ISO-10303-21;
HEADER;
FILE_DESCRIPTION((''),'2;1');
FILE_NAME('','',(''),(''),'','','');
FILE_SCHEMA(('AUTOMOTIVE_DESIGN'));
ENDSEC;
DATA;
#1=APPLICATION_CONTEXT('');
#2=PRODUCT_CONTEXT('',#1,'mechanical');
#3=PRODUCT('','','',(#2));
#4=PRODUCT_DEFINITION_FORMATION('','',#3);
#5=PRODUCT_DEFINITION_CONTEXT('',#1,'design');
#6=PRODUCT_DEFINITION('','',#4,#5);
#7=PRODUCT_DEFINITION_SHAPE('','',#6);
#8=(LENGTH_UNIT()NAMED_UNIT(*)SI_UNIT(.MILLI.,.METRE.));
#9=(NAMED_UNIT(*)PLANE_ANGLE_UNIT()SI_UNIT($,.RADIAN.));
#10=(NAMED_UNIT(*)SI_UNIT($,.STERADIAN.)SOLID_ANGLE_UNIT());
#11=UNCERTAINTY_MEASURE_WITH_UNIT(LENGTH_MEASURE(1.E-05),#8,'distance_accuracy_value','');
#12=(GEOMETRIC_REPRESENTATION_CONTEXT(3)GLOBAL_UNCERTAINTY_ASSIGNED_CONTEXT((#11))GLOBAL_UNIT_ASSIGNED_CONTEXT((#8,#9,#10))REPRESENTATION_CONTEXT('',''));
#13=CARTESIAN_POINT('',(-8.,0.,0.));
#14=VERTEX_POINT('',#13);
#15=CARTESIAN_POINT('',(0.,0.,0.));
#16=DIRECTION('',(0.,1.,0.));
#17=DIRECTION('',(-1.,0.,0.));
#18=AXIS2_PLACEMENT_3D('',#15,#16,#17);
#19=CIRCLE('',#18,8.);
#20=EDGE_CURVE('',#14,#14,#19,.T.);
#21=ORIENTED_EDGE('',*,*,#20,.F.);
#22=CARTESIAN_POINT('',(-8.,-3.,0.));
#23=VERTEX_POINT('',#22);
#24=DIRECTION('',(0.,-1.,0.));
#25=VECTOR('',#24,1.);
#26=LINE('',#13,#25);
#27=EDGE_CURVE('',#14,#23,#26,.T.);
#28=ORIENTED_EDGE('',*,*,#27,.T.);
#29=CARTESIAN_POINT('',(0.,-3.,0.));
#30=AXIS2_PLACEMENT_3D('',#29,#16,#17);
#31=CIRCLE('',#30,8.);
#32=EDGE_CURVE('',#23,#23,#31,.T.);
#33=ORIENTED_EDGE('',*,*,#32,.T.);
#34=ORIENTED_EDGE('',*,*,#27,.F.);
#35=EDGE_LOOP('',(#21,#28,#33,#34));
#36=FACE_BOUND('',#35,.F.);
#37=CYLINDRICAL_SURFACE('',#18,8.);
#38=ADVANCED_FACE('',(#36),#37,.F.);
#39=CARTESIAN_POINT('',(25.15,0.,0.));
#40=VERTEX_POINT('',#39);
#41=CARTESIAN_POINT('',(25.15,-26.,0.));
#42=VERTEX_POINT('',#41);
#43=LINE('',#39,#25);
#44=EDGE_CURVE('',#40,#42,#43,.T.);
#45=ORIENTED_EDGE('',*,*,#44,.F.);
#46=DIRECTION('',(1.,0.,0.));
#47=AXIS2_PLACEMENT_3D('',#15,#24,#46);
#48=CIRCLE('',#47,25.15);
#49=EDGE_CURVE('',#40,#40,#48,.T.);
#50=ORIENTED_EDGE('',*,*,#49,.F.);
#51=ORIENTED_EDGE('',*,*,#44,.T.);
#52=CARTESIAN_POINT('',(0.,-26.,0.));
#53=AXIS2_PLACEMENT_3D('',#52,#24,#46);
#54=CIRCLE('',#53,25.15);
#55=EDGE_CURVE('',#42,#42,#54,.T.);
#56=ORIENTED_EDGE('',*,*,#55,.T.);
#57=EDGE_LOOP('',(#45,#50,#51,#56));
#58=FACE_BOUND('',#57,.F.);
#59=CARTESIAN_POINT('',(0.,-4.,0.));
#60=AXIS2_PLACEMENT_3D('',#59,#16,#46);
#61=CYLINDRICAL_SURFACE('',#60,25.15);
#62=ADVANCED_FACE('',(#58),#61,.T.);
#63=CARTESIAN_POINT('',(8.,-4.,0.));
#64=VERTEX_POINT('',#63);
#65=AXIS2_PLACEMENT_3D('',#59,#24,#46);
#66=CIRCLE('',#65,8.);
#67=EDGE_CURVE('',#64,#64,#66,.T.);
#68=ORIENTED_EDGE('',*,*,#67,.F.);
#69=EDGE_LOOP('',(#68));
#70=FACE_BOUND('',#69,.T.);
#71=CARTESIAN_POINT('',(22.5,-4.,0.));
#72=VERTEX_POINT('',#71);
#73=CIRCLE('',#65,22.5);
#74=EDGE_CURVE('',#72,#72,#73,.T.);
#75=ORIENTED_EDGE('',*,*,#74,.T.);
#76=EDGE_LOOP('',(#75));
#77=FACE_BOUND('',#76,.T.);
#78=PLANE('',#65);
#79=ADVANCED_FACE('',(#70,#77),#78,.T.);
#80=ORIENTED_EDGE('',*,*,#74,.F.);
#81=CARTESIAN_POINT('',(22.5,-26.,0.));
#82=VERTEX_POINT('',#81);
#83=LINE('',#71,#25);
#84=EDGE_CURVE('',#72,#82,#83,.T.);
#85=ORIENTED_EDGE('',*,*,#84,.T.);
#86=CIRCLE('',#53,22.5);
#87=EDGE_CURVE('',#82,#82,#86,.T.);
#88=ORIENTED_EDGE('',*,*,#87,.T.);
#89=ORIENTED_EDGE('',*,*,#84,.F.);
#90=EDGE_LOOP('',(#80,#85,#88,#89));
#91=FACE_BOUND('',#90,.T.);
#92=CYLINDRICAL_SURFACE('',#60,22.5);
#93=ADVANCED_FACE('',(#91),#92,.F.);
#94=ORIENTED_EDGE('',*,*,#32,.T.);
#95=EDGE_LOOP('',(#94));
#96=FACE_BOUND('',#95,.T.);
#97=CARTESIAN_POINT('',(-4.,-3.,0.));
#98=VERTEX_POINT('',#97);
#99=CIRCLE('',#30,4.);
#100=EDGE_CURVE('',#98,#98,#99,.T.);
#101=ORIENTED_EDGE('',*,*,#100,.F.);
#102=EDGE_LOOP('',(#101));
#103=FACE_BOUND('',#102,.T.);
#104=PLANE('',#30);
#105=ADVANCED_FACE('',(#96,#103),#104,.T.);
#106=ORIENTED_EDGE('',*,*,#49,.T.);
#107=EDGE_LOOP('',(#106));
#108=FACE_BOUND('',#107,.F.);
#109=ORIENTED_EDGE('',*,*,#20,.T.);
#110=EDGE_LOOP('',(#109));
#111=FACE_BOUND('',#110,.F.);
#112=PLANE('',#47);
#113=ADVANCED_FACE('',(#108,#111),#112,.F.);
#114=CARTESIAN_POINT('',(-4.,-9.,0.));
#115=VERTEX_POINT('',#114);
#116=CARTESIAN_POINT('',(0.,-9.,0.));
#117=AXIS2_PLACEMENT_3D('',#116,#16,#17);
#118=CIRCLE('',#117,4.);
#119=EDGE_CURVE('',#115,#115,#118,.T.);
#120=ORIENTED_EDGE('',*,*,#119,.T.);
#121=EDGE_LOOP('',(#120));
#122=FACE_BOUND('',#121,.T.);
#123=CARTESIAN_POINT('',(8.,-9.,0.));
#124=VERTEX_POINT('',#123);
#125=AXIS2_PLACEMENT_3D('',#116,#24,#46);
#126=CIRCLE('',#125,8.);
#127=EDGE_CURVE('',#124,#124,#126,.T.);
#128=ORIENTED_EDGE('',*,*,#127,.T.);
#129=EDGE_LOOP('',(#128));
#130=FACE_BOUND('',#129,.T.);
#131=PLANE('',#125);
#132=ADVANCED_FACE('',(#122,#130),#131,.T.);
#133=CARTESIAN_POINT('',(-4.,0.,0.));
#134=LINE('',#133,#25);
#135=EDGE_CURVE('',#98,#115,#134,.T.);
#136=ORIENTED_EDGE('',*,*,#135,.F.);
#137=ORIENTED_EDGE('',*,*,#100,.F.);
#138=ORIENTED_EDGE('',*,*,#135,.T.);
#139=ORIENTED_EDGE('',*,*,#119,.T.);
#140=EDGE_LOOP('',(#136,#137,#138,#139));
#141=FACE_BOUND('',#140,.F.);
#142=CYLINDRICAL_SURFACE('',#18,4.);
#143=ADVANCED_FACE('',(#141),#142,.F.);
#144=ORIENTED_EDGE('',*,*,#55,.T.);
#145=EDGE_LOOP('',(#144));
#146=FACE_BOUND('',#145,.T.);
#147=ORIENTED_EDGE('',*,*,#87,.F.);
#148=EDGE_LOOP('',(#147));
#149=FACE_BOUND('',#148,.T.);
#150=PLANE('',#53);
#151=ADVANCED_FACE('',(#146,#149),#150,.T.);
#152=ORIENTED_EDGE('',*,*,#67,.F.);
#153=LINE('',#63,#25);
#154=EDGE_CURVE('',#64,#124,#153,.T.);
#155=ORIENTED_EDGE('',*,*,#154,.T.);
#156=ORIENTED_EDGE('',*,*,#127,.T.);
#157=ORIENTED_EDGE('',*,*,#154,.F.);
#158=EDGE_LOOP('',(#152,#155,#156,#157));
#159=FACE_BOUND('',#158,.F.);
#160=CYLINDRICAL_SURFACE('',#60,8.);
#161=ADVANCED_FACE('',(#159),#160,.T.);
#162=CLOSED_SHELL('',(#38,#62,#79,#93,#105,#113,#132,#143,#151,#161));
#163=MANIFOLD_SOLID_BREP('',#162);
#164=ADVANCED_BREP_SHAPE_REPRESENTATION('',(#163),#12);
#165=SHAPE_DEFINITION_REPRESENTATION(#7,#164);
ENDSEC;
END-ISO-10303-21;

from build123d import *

# Parameters (mm, degrees)
F0_R     = 25.15
F1_DEPTH = 4
F2_R     = 25.15
F2_R_2   = 22.5
F3_DEPTH = 22
F4_R     = 8
F5_DEPTH = 5
F6_R     = 4
F7_DEPTH = 25
F8_R     = 8
F9_DEPTH = 3


with BuildPart() as f1:
    # F0 (on Front) → F1 (new body)
    with BuildSketch(Plane.XZ):
        Circle(F0_R)
    extrude(amount=F1_DEPTH)

    # F2 (on face) → F3 (join)
    with BuildSketch(Plane.XZ.offset(4)):
        Circle(F2_R)
        Circle(F2_R_2, mode=Mode.SUBTRACT)
    extrude(amount=F3_DEPTH)

    # F4 (on face) → F5 (join)
    with BuildSketch(Plane.XZ.offset(4)):
        Circle(F4_R)
    extrude(amount=F5_DEPTH)

    # F6 (on face) → F7 (cut)
    with BuildSketch(Plane(origin=(0, 0, 0), x_dir=(-1, 0, 0), z_dir=(0, 1, 0))):
        Circle(F6_R)
    extrude(amount=-F7_DEPTH, mode=Mode.SUBTRACT)

    # F8 (on face) → F9 (cut)
    with BuildSketch(Plane(origin=(0, 0, 0), x_dir=(-1, 0, 0), z_dir=(0, 1, 0))):
        Circle(F8_R)
    extrude(amount=-F9_DEPTH, mode=Mode.SUBTRACT)


solid = f1.part
